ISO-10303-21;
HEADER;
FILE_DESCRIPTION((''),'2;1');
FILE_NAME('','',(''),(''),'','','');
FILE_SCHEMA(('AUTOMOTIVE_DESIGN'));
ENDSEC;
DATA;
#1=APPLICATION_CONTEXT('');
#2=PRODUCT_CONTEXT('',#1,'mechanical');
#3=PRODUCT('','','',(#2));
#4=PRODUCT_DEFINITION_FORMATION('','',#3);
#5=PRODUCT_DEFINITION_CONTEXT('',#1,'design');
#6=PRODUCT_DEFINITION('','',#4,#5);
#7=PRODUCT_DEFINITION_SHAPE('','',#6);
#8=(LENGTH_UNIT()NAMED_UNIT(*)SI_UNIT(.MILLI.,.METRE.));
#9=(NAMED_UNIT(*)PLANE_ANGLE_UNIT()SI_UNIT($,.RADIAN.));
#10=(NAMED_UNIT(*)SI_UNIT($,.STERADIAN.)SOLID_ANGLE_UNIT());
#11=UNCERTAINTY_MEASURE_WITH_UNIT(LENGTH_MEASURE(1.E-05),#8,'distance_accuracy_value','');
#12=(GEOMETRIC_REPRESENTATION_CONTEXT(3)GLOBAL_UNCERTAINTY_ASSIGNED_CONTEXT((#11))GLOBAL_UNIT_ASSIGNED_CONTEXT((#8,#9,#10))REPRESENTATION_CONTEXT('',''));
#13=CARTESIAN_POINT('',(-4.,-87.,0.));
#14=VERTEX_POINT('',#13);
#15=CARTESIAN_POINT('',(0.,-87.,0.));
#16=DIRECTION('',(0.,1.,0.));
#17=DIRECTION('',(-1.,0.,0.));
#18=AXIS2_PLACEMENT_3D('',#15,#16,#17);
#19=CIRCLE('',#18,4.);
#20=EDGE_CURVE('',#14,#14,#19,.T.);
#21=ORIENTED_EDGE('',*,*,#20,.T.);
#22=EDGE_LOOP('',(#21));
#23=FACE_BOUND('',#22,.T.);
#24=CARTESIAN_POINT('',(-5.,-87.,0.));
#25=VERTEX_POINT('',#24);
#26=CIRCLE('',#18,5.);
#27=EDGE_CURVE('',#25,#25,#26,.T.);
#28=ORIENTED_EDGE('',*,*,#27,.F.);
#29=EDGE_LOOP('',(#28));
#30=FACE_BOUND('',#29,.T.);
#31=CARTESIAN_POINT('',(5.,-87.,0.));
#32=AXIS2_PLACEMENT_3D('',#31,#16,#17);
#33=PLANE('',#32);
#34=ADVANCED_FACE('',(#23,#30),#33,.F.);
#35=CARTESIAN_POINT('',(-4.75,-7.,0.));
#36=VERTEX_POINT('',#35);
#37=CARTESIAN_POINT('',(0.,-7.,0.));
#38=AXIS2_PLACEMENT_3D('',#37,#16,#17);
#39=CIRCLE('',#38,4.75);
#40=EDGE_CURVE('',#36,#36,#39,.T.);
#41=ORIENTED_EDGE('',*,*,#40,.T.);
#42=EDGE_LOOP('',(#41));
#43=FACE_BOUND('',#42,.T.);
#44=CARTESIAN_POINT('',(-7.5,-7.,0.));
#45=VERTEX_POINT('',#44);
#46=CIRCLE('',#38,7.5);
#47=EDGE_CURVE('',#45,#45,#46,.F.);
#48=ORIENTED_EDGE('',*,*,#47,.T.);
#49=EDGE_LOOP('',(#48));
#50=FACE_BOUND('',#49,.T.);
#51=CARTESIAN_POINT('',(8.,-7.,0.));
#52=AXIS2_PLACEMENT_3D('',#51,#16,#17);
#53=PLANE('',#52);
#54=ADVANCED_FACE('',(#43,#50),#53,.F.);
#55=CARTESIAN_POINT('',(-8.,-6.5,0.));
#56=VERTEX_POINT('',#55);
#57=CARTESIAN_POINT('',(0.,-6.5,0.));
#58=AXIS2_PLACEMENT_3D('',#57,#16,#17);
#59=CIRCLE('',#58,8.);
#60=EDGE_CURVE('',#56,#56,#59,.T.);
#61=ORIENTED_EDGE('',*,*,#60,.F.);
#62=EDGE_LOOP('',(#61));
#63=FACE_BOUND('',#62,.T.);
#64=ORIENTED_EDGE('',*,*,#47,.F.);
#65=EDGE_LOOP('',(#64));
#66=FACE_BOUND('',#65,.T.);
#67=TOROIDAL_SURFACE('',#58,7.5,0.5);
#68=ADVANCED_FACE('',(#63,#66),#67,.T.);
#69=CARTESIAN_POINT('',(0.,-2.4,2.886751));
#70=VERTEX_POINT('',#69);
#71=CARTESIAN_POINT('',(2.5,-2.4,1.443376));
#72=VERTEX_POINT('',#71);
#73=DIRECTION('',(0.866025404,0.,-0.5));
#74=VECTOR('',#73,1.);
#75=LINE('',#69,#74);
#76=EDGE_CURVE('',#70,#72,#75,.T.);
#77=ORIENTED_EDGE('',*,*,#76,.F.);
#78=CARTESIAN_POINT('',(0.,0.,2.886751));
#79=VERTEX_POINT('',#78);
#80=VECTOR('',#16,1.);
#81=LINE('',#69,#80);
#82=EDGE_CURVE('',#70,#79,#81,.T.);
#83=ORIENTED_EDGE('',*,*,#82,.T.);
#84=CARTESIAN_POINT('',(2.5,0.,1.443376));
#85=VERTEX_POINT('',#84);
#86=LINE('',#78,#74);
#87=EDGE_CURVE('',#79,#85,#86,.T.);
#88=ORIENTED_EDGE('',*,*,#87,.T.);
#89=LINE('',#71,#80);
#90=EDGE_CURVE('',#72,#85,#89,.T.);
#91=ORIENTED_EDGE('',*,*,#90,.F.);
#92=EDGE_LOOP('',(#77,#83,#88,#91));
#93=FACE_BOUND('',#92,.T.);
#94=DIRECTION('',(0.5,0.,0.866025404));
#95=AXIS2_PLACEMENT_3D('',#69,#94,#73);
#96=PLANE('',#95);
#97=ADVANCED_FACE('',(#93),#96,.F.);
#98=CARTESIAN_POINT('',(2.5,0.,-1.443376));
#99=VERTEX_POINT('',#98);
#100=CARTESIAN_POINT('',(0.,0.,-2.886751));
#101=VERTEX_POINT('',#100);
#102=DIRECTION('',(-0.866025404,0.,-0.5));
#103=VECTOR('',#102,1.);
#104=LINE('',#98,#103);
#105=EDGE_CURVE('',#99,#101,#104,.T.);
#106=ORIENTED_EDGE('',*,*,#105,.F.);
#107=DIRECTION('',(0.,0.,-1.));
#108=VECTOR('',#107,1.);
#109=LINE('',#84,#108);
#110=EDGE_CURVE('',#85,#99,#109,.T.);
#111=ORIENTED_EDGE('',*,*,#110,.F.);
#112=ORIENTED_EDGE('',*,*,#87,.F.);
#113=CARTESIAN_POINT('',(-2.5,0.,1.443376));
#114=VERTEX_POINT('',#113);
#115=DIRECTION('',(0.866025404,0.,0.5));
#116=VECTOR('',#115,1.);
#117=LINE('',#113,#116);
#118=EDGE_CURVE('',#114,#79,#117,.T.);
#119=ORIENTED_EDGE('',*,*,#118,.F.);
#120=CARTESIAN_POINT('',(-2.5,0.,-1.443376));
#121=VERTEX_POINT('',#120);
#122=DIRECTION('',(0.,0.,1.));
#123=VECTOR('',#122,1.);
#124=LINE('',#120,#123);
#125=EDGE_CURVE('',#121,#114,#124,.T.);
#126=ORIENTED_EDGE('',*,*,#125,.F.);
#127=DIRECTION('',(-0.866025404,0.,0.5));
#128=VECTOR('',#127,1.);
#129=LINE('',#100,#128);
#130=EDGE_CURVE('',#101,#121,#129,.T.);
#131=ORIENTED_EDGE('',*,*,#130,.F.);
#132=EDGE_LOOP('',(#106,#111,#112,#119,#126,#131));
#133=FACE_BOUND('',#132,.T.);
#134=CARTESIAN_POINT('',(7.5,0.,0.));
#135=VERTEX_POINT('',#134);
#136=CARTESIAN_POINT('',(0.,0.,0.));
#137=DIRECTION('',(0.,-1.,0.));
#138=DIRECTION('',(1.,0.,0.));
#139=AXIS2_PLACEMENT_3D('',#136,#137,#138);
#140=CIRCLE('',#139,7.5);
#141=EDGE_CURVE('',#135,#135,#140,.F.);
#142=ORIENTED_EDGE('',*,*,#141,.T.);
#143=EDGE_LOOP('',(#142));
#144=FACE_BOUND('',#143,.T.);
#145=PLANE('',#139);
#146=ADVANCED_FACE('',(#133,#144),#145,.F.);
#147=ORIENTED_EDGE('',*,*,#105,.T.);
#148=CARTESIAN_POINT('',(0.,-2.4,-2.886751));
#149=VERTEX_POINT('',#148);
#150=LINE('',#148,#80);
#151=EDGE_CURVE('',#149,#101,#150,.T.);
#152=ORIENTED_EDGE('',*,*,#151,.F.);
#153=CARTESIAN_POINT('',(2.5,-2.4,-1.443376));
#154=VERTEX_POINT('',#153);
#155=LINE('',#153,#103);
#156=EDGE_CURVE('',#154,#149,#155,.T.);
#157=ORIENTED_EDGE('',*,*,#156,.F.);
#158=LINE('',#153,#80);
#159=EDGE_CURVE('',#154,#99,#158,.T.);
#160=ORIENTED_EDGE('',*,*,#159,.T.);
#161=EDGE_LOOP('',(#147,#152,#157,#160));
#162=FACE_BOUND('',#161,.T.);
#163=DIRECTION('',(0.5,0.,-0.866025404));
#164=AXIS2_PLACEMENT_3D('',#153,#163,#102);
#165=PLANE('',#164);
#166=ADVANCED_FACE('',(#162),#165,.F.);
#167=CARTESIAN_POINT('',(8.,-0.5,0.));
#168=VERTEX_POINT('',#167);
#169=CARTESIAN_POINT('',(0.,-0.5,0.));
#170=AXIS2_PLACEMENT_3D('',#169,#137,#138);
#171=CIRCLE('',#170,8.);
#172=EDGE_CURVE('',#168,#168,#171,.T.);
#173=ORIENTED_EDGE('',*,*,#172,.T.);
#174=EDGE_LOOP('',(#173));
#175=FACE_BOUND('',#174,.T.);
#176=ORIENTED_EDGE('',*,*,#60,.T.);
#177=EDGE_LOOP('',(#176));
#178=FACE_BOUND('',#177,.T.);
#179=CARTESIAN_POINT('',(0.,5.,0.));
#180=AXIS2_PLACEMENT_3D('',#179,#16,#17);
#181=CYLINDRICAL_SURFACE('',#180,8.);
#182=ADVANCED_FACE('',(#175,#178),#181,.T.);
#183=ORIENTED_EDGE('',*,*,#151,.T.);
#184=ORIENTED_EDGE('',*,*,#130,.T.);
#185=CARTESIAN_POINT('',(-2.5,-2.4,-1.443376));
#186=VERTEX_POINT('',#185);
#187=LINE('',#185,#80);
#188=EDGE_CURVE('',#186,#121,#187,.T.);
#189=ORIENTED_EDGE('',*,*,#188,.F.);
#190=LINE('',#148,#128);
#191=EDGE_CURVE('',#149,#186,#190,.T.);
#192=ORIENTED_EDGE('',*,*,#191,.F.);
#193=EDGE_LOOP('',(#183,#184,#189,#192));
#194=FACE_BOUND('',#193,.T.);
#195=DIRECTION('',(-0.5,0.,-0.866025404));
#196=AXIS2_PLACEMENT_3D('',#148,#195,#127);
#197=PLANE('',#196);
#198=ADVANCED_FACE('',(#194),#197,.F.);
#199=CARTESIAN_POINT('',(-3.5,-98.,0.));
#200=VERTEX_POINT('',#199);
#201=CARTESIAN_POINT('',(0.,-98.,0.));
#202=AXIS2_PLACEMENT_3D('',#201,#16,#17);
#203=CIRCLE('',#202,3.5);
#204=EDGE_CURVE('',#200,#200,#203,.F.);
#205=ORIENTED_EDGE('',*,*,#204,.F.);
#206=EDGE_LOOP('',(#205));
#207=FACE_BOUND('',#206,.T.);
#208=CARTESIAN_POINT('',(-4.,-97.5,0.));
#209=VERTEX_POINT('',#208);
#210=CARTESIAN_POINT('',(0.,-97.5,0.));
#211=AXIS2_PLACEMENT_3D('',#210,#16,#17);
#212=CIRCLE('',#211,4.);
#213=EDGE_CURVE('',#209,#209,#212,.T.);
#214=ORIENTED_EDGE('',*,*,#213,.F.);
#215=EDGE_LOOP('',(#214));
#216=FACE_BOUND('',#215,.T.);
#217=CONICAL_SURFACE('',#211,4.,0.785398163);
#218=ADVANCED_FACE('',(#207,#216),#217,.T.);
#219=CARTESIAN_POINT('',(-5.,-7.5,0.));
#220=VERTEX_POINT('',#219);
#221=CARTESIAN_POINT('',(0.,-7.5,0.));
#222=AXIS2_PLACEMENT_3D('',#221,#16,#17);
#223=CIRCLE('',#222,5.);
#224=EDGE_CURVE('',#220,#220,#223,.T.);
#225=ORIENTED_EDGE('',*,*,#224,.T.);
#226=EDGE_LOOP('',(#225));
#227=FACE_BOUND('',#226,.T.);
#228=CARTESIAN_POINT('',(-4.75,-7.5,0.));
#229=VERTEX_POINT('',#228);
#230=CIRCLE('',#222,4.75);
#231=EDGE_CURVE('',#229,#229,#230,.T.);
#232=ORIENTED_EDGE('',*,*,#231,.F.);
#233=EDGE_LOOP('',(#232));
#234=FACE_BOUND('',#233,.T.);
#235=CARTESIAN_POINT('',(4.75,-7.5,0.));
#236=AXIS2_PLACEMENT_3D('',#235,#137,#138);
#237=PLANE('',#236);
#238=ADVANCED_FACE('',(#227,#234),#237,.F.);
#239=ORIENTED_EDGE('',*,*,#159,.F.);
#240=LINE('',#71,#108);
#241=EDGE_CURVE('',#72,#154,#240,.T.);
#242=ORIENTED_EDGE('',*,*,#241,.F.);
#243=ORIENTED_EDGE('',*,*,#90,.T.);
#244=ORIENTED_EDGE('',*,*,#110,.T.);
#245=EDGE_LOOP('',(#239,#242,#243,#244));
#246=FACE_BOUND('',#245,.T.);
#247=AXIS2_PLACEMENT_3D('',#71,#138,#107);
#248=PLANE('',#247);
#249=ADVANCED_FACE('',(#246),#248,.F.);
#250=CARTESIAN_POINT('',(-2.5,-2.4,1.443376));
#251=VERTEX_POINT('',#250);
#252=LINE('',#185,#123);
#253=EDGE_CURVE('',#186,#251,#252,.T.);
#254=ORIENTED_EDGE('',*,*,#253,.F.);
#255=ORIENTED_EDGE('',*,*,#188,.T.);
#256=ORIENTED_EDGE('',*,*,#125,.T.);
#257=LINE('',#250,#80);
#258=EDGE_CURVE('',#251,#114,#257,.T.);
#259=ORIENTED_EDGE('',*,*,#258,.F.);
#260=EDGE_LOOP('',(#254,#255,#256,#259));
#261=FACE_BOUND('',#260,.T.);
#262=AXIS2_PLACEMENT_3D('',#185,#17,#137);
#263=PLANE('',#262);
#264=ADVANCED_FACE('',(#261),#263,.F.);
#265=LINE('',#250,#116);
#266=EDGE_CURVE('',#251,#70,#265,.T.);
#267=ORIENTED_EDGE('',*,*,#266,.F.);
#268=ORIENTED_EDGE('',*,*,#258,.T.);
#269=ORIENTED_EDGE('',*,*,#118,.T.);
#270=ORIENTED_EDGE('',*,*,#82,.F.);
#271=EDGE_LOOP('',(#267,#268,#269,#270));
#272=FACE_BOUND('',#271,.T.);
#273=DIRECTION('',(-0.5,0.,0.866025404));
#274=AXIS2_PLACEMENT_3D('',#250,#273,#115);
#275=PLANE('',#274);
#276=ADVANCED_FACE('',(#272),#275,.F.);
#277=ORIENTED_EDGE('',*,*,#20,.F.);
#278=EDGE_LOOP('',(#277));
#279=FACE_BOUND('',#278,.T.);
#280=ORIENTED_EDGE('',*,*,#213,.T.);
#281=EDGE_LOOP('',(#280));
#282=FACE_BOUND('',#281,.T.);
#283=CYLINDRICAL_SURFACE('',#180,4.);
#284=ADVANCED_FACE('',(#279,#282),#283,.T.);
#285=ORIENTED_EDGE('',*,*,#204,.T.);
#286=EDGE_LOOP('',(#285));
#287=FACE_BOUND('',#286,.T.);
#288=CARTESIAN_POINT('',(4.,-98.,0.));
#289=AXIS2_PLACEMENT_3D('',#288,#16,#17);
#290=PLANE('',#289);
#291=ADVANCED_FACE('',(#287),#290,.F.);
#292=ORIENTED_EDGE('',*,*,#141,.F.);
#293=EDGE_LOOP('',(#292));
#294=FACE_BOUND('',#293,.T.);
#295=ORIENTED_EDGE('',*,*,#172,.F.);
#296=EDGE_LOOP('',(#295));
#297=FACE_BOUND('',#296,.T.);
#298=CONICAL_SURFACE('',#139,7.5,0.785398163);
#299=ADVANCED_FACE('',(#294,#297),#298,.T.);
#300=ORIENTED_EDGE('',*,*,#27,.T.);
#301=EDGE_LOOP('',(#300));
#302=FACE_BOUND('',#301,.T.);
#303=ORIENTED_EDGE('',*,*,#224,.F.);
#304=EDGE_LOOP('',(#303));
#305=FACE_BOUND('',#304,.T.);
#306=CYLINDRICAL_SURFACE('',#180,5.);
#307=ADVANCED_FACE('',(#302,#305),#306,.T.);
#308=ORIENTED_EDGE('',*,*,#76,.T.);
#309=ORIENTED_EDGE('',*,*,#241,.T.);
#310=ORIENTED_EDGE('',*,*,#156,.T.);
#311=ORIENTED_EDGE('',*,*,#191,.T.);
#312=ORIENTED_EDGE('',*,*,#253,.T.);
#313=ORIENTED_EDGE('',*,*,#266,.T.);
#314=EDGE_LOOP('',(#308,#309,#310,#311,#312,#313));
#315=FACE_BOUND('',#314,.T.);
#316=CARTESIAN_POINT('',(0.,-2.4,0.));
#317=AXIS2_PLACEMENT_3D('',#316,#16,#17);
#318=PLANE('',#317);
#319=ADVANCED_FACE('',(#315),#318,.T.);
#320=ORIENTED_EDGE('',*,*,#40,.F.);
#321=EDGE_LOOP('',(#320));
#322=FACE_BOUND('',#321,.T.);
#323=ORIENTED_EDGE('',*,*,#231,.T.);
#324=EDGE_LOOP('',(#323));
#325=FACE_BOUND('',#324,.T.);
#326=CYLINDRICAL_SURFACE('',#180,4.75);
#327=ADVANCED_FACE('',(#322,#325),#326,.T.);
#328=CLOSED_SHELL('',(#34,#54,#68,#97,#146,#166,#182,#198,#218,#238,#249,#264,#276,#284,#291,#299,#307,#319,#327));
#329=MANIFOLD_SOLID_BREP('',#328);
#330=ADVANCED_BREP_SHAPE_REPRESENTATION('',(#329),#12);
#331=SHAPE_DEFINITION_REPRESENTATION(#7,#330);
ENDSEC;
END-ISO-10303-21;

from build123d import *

# Parameters (mm, degrees)
CUT_EXTRUDE1_DEPTH = 2.4
CHAMFER1_SIZE      = 0.5
FILLET1_R          = 0.5
CHAMFER2_SIZE      = 0.5


with BuildPart() as part:
    # Sketch1 → Revolve1 (revolve)
    with BuildSketch(Plane.XY, mode=Mode.PRIVATE) as revolve1_sk:
        Polygon((0, 0), (8, 0), (8, -7), (4.75, -7), (4.75, -7.5), (5, -7.5), (5, -87), (4, -87), (4, -98), (0, -98), align=None)
    revolve(revolve1_sk.sketch.rotate(Axis((0, 5, 0), (0, -1, 0)), 180), axis=Axis((0, 5, 0), (0, -1, 0)))

    # Sketch2 → Cut-Extrude1 (cut)
    with BuildSketch(Plane(origin=(0, 0, 0), x_dir=(1, 0, 0), z_dir=(0, 1, 0))):
        Polygon((0, -2.886751346), (2.5, -1.443375673), (2.5, 1.443375673), (0, 2.886751346), (-2.5, 1.443375673), (-2.5, -1.443375673), align=None)
    extrude(amount=-CUT_EXTRUDE1_DEPTH, mode=Mode.SUBTRACT)

    # Chamfer1
    chamfer1_edges = [part.edges().sort_by_distance(p)[0] for p in [
        (8, 0, 0),
    ]]
    chamfer(chamfer1_edges, length=CHAMFER1_SIZE)

    # Fillet1
    fillet1_edges = [part.edges().sort_by_distance(p)[0] for p in [
        (8, -7, 0),
    ]]
    fillet(fillet1_edges, radius=FILLET1_R)

    # Chamfer2
    chamfer2_edges = [part.edges().sort_by_distance(p)[0] for p in [
        (4, -98, 0),
    ]]
    chamfer(chamfer2_edges, length=CHAMFER2_SIZE)


solid = part.part
